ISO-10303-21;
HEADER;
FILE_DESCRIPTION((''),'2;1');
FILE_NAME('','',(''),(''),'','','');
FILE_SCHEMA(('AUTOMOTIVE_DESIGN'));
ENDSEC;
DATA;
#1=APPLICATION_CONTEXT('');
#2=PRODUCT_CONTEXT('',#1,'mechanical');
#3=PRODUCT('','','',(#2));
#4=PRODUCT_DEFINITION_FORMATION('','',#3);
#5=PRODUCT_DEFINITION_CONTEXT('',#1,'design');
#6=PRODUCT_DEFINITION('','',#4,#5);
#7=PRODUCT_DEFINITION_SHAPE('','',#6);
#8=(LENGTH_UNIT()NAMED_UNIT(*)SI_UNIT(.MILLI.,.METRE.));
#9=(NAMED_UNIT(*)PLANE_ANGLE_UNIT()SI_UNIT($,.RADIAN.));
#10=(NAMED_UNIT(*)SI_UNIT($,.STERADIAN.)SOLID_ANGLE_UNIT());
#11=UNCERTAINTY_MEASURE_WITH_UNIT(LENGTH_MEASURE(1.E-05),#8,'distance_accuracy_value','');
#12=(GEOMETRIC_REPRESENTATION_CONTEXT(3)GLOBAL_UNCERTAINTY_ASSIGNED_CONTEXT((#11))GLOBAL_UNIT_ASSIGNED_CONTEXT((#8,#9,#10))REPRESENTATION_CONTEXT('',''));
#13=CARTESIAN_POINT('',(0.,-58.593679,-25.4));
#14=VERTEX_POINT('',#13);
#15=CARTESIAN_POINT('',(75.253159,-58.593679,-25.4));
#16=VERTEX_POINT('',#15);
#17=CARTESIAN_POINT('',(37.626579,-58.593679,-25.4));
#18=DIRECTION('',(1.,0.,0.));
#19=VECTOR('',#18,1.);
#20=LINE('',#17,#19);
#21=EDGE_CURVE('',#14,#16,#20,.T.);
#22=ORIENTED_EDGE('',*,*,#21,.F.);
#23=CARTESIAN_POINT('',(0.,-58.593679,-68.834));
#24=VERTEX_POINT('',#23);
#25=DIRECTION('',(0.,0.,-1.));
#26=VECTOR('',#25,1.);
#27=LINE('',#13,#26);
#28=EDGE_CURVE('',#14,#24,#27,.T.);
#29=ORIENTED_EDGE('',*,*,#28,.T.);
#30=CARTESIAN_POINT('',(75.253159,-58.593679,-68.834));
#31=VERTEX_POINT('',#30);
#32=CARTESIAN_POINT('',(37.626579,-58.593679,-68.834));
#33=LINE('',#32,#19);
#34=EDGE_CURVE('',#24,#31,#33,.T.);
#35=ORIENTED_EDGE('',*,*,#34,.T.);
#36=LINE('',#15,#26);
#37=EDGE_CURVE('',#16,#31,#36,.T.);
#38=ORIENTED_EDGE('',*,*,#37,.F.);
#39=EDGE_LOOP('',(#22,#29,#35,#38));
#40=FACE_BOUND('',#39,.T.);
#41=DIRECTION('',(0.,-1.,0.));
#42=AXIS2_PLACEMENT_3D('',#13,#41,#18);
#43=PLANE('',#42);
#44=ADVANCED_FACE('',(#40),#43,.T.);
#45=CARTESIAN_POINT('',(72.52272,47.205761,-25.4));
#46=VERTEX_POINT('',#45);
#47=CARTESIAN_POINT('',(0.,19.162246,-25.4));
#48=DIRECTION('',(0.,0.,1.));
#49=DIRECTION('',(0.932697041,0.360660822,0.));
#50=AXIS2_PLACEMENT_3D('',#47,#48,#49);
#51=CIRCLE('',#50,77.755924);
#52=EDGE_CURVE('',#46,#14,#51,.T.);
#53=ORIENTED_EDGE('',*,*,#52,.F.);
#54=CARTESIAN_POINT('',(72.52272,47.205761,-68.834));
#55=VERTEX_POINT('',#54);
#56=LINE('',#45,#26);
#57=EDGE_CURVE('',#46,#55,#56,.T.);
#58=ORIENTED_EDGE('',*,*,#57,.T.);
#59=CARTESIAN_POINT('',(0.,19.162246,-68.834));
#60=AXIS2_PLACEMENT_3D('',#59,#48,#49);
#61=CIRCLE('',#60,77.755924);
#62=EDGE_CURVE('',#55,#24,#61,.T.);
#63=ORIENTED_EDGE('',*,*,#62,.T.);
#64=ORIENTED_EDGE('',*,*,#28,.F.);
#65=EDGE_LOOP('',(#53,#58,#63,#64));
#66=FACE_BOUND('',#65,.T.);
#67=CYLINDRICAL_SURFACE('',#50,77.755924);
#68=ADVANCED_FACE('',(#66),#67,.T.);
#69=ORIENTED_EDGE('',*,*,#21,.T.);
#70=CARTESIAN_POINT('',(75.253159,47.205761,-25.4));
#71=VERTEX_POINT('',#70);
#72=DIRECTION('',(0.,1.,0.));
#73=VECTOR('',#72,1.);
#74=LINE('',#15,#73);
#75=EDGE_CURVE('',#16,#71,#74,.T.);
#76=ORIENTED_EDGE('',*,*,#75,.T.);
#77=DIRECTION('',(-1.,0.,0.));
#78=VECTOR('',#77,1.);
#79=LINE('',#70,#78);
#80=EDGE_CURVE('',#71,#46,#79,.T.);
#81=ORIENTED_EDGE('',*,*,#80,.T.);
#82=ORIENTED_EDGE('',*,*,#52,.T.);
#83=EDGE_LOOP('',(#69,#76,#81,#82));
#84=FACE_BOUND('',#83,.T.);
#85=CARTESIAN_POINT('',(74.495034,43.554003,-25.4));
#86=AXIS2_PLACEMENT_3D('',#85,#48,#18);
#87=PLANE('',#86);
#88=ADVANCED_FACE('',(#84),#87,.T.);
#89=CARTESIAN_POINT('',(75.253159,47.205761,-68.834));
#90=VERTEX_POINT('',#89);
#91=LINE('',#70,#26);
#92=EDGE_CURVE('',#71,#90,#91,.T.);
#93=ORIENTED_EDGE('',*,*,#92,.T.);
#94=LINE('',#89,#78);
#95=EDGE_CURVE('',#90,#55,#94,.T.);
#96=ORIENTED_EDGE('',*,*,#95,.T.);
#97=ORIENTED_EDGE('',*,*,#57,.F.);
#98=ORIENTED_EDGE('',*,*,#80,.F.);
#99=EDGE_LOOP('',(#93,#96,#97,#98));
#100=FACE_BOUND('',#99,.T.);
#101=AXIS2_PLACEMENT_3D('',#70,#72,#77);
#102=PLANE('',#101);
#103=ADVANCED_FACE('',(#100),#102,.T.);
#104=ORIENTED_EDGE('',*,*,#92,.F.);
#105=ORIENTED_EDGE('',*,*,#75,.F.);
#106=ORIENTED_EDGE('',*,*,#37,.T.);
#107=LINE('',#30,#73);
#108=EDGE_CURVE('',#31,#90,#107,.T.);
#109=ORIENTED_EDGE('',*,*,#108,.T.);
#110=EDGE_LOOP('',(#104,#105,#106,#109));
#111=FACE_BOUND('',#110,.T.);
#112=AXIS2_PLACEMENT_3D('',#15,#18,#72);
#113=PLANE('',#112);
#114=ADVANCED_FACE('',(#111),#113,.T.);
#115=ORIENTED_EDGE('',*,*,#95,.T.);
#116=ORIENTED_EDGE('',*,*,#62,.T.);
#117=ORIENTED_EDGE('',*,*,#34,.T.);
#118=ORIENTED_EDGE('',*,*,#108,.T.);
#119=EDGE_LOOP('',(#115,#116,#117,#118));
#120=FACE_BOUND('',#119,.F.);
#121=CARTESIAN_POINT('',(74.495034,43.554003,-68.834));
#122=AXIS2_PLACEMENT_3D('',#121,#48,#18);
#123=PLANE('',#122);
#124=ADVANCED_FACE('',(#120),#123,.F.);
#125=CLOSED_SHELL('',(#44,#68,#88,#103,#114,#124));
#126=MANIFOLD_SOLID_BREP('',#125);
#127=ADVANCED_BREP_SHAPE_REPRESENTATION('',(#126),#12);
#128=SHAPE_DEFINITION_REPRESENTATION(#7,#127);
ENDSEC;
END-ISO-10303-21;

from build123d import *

# Parameters (mm, degrees)
F1_START = -25.4
F0_W     = 75.2531588078
F0_H     = 58.5936785935
F0_H_2   = 38.7312471867
F1_DEPTH = 43.434


with BuildPart() as f1:
    # F0 (on Top) → F1 (new body)
    with BuildSketch(Plane.XY.offset(F1_START)):
        with BuildLine():
            ThreePointArc((72.5227203866, 47.205761075), (74.0093370077, 43.0076176609), (75.2531588078, 38.7312471867))
            Line((75.2531588078, 38.7312471867), (75.2531588078, 47.205761075))
            Line((75.2531588078, 47.205761075), (72.5227203866, 47.205761075))
        make_face()
        with Locations((37.6265794039, -29.2968392967)):
            Rectangle(F0_W, F0_H)
        with Locations((37.6265794039, 19.3656235933)):
            Rectangle(F0_W, F0_H_2)
        with BuildLine():
            Line((0, 47.205761075), (0, 38.7312471867))
            Line((0, 38.7312471867), (75.2531588078, 38.7312471867))
            ThreePointArc((75.2531588078, 38.7312471867), (74.0093370077, 43.0076176609), (72.5227203866, 47.205761075))
            Line((72.5227203866, 47.205761075), (0, 47.205761075))
        make_face()
        with BuildLine():
            Line((0, -58.5936785935), (0, 0))
            Line((0, 0), (0, 38.7312471867))
            Line((0, 38.7312471867), (0, 47.205761075))
            Line((0, 47.205761075), (72.5227203866, 47.205761075))
            ThreePointArc((72.5227203866, 47.205761075), (-64.1347534618, 63.1249244156), (0, -58.5936785935))
        make_face()
    extrude(amount=-F1_DEPTH)


solid = f1.part
